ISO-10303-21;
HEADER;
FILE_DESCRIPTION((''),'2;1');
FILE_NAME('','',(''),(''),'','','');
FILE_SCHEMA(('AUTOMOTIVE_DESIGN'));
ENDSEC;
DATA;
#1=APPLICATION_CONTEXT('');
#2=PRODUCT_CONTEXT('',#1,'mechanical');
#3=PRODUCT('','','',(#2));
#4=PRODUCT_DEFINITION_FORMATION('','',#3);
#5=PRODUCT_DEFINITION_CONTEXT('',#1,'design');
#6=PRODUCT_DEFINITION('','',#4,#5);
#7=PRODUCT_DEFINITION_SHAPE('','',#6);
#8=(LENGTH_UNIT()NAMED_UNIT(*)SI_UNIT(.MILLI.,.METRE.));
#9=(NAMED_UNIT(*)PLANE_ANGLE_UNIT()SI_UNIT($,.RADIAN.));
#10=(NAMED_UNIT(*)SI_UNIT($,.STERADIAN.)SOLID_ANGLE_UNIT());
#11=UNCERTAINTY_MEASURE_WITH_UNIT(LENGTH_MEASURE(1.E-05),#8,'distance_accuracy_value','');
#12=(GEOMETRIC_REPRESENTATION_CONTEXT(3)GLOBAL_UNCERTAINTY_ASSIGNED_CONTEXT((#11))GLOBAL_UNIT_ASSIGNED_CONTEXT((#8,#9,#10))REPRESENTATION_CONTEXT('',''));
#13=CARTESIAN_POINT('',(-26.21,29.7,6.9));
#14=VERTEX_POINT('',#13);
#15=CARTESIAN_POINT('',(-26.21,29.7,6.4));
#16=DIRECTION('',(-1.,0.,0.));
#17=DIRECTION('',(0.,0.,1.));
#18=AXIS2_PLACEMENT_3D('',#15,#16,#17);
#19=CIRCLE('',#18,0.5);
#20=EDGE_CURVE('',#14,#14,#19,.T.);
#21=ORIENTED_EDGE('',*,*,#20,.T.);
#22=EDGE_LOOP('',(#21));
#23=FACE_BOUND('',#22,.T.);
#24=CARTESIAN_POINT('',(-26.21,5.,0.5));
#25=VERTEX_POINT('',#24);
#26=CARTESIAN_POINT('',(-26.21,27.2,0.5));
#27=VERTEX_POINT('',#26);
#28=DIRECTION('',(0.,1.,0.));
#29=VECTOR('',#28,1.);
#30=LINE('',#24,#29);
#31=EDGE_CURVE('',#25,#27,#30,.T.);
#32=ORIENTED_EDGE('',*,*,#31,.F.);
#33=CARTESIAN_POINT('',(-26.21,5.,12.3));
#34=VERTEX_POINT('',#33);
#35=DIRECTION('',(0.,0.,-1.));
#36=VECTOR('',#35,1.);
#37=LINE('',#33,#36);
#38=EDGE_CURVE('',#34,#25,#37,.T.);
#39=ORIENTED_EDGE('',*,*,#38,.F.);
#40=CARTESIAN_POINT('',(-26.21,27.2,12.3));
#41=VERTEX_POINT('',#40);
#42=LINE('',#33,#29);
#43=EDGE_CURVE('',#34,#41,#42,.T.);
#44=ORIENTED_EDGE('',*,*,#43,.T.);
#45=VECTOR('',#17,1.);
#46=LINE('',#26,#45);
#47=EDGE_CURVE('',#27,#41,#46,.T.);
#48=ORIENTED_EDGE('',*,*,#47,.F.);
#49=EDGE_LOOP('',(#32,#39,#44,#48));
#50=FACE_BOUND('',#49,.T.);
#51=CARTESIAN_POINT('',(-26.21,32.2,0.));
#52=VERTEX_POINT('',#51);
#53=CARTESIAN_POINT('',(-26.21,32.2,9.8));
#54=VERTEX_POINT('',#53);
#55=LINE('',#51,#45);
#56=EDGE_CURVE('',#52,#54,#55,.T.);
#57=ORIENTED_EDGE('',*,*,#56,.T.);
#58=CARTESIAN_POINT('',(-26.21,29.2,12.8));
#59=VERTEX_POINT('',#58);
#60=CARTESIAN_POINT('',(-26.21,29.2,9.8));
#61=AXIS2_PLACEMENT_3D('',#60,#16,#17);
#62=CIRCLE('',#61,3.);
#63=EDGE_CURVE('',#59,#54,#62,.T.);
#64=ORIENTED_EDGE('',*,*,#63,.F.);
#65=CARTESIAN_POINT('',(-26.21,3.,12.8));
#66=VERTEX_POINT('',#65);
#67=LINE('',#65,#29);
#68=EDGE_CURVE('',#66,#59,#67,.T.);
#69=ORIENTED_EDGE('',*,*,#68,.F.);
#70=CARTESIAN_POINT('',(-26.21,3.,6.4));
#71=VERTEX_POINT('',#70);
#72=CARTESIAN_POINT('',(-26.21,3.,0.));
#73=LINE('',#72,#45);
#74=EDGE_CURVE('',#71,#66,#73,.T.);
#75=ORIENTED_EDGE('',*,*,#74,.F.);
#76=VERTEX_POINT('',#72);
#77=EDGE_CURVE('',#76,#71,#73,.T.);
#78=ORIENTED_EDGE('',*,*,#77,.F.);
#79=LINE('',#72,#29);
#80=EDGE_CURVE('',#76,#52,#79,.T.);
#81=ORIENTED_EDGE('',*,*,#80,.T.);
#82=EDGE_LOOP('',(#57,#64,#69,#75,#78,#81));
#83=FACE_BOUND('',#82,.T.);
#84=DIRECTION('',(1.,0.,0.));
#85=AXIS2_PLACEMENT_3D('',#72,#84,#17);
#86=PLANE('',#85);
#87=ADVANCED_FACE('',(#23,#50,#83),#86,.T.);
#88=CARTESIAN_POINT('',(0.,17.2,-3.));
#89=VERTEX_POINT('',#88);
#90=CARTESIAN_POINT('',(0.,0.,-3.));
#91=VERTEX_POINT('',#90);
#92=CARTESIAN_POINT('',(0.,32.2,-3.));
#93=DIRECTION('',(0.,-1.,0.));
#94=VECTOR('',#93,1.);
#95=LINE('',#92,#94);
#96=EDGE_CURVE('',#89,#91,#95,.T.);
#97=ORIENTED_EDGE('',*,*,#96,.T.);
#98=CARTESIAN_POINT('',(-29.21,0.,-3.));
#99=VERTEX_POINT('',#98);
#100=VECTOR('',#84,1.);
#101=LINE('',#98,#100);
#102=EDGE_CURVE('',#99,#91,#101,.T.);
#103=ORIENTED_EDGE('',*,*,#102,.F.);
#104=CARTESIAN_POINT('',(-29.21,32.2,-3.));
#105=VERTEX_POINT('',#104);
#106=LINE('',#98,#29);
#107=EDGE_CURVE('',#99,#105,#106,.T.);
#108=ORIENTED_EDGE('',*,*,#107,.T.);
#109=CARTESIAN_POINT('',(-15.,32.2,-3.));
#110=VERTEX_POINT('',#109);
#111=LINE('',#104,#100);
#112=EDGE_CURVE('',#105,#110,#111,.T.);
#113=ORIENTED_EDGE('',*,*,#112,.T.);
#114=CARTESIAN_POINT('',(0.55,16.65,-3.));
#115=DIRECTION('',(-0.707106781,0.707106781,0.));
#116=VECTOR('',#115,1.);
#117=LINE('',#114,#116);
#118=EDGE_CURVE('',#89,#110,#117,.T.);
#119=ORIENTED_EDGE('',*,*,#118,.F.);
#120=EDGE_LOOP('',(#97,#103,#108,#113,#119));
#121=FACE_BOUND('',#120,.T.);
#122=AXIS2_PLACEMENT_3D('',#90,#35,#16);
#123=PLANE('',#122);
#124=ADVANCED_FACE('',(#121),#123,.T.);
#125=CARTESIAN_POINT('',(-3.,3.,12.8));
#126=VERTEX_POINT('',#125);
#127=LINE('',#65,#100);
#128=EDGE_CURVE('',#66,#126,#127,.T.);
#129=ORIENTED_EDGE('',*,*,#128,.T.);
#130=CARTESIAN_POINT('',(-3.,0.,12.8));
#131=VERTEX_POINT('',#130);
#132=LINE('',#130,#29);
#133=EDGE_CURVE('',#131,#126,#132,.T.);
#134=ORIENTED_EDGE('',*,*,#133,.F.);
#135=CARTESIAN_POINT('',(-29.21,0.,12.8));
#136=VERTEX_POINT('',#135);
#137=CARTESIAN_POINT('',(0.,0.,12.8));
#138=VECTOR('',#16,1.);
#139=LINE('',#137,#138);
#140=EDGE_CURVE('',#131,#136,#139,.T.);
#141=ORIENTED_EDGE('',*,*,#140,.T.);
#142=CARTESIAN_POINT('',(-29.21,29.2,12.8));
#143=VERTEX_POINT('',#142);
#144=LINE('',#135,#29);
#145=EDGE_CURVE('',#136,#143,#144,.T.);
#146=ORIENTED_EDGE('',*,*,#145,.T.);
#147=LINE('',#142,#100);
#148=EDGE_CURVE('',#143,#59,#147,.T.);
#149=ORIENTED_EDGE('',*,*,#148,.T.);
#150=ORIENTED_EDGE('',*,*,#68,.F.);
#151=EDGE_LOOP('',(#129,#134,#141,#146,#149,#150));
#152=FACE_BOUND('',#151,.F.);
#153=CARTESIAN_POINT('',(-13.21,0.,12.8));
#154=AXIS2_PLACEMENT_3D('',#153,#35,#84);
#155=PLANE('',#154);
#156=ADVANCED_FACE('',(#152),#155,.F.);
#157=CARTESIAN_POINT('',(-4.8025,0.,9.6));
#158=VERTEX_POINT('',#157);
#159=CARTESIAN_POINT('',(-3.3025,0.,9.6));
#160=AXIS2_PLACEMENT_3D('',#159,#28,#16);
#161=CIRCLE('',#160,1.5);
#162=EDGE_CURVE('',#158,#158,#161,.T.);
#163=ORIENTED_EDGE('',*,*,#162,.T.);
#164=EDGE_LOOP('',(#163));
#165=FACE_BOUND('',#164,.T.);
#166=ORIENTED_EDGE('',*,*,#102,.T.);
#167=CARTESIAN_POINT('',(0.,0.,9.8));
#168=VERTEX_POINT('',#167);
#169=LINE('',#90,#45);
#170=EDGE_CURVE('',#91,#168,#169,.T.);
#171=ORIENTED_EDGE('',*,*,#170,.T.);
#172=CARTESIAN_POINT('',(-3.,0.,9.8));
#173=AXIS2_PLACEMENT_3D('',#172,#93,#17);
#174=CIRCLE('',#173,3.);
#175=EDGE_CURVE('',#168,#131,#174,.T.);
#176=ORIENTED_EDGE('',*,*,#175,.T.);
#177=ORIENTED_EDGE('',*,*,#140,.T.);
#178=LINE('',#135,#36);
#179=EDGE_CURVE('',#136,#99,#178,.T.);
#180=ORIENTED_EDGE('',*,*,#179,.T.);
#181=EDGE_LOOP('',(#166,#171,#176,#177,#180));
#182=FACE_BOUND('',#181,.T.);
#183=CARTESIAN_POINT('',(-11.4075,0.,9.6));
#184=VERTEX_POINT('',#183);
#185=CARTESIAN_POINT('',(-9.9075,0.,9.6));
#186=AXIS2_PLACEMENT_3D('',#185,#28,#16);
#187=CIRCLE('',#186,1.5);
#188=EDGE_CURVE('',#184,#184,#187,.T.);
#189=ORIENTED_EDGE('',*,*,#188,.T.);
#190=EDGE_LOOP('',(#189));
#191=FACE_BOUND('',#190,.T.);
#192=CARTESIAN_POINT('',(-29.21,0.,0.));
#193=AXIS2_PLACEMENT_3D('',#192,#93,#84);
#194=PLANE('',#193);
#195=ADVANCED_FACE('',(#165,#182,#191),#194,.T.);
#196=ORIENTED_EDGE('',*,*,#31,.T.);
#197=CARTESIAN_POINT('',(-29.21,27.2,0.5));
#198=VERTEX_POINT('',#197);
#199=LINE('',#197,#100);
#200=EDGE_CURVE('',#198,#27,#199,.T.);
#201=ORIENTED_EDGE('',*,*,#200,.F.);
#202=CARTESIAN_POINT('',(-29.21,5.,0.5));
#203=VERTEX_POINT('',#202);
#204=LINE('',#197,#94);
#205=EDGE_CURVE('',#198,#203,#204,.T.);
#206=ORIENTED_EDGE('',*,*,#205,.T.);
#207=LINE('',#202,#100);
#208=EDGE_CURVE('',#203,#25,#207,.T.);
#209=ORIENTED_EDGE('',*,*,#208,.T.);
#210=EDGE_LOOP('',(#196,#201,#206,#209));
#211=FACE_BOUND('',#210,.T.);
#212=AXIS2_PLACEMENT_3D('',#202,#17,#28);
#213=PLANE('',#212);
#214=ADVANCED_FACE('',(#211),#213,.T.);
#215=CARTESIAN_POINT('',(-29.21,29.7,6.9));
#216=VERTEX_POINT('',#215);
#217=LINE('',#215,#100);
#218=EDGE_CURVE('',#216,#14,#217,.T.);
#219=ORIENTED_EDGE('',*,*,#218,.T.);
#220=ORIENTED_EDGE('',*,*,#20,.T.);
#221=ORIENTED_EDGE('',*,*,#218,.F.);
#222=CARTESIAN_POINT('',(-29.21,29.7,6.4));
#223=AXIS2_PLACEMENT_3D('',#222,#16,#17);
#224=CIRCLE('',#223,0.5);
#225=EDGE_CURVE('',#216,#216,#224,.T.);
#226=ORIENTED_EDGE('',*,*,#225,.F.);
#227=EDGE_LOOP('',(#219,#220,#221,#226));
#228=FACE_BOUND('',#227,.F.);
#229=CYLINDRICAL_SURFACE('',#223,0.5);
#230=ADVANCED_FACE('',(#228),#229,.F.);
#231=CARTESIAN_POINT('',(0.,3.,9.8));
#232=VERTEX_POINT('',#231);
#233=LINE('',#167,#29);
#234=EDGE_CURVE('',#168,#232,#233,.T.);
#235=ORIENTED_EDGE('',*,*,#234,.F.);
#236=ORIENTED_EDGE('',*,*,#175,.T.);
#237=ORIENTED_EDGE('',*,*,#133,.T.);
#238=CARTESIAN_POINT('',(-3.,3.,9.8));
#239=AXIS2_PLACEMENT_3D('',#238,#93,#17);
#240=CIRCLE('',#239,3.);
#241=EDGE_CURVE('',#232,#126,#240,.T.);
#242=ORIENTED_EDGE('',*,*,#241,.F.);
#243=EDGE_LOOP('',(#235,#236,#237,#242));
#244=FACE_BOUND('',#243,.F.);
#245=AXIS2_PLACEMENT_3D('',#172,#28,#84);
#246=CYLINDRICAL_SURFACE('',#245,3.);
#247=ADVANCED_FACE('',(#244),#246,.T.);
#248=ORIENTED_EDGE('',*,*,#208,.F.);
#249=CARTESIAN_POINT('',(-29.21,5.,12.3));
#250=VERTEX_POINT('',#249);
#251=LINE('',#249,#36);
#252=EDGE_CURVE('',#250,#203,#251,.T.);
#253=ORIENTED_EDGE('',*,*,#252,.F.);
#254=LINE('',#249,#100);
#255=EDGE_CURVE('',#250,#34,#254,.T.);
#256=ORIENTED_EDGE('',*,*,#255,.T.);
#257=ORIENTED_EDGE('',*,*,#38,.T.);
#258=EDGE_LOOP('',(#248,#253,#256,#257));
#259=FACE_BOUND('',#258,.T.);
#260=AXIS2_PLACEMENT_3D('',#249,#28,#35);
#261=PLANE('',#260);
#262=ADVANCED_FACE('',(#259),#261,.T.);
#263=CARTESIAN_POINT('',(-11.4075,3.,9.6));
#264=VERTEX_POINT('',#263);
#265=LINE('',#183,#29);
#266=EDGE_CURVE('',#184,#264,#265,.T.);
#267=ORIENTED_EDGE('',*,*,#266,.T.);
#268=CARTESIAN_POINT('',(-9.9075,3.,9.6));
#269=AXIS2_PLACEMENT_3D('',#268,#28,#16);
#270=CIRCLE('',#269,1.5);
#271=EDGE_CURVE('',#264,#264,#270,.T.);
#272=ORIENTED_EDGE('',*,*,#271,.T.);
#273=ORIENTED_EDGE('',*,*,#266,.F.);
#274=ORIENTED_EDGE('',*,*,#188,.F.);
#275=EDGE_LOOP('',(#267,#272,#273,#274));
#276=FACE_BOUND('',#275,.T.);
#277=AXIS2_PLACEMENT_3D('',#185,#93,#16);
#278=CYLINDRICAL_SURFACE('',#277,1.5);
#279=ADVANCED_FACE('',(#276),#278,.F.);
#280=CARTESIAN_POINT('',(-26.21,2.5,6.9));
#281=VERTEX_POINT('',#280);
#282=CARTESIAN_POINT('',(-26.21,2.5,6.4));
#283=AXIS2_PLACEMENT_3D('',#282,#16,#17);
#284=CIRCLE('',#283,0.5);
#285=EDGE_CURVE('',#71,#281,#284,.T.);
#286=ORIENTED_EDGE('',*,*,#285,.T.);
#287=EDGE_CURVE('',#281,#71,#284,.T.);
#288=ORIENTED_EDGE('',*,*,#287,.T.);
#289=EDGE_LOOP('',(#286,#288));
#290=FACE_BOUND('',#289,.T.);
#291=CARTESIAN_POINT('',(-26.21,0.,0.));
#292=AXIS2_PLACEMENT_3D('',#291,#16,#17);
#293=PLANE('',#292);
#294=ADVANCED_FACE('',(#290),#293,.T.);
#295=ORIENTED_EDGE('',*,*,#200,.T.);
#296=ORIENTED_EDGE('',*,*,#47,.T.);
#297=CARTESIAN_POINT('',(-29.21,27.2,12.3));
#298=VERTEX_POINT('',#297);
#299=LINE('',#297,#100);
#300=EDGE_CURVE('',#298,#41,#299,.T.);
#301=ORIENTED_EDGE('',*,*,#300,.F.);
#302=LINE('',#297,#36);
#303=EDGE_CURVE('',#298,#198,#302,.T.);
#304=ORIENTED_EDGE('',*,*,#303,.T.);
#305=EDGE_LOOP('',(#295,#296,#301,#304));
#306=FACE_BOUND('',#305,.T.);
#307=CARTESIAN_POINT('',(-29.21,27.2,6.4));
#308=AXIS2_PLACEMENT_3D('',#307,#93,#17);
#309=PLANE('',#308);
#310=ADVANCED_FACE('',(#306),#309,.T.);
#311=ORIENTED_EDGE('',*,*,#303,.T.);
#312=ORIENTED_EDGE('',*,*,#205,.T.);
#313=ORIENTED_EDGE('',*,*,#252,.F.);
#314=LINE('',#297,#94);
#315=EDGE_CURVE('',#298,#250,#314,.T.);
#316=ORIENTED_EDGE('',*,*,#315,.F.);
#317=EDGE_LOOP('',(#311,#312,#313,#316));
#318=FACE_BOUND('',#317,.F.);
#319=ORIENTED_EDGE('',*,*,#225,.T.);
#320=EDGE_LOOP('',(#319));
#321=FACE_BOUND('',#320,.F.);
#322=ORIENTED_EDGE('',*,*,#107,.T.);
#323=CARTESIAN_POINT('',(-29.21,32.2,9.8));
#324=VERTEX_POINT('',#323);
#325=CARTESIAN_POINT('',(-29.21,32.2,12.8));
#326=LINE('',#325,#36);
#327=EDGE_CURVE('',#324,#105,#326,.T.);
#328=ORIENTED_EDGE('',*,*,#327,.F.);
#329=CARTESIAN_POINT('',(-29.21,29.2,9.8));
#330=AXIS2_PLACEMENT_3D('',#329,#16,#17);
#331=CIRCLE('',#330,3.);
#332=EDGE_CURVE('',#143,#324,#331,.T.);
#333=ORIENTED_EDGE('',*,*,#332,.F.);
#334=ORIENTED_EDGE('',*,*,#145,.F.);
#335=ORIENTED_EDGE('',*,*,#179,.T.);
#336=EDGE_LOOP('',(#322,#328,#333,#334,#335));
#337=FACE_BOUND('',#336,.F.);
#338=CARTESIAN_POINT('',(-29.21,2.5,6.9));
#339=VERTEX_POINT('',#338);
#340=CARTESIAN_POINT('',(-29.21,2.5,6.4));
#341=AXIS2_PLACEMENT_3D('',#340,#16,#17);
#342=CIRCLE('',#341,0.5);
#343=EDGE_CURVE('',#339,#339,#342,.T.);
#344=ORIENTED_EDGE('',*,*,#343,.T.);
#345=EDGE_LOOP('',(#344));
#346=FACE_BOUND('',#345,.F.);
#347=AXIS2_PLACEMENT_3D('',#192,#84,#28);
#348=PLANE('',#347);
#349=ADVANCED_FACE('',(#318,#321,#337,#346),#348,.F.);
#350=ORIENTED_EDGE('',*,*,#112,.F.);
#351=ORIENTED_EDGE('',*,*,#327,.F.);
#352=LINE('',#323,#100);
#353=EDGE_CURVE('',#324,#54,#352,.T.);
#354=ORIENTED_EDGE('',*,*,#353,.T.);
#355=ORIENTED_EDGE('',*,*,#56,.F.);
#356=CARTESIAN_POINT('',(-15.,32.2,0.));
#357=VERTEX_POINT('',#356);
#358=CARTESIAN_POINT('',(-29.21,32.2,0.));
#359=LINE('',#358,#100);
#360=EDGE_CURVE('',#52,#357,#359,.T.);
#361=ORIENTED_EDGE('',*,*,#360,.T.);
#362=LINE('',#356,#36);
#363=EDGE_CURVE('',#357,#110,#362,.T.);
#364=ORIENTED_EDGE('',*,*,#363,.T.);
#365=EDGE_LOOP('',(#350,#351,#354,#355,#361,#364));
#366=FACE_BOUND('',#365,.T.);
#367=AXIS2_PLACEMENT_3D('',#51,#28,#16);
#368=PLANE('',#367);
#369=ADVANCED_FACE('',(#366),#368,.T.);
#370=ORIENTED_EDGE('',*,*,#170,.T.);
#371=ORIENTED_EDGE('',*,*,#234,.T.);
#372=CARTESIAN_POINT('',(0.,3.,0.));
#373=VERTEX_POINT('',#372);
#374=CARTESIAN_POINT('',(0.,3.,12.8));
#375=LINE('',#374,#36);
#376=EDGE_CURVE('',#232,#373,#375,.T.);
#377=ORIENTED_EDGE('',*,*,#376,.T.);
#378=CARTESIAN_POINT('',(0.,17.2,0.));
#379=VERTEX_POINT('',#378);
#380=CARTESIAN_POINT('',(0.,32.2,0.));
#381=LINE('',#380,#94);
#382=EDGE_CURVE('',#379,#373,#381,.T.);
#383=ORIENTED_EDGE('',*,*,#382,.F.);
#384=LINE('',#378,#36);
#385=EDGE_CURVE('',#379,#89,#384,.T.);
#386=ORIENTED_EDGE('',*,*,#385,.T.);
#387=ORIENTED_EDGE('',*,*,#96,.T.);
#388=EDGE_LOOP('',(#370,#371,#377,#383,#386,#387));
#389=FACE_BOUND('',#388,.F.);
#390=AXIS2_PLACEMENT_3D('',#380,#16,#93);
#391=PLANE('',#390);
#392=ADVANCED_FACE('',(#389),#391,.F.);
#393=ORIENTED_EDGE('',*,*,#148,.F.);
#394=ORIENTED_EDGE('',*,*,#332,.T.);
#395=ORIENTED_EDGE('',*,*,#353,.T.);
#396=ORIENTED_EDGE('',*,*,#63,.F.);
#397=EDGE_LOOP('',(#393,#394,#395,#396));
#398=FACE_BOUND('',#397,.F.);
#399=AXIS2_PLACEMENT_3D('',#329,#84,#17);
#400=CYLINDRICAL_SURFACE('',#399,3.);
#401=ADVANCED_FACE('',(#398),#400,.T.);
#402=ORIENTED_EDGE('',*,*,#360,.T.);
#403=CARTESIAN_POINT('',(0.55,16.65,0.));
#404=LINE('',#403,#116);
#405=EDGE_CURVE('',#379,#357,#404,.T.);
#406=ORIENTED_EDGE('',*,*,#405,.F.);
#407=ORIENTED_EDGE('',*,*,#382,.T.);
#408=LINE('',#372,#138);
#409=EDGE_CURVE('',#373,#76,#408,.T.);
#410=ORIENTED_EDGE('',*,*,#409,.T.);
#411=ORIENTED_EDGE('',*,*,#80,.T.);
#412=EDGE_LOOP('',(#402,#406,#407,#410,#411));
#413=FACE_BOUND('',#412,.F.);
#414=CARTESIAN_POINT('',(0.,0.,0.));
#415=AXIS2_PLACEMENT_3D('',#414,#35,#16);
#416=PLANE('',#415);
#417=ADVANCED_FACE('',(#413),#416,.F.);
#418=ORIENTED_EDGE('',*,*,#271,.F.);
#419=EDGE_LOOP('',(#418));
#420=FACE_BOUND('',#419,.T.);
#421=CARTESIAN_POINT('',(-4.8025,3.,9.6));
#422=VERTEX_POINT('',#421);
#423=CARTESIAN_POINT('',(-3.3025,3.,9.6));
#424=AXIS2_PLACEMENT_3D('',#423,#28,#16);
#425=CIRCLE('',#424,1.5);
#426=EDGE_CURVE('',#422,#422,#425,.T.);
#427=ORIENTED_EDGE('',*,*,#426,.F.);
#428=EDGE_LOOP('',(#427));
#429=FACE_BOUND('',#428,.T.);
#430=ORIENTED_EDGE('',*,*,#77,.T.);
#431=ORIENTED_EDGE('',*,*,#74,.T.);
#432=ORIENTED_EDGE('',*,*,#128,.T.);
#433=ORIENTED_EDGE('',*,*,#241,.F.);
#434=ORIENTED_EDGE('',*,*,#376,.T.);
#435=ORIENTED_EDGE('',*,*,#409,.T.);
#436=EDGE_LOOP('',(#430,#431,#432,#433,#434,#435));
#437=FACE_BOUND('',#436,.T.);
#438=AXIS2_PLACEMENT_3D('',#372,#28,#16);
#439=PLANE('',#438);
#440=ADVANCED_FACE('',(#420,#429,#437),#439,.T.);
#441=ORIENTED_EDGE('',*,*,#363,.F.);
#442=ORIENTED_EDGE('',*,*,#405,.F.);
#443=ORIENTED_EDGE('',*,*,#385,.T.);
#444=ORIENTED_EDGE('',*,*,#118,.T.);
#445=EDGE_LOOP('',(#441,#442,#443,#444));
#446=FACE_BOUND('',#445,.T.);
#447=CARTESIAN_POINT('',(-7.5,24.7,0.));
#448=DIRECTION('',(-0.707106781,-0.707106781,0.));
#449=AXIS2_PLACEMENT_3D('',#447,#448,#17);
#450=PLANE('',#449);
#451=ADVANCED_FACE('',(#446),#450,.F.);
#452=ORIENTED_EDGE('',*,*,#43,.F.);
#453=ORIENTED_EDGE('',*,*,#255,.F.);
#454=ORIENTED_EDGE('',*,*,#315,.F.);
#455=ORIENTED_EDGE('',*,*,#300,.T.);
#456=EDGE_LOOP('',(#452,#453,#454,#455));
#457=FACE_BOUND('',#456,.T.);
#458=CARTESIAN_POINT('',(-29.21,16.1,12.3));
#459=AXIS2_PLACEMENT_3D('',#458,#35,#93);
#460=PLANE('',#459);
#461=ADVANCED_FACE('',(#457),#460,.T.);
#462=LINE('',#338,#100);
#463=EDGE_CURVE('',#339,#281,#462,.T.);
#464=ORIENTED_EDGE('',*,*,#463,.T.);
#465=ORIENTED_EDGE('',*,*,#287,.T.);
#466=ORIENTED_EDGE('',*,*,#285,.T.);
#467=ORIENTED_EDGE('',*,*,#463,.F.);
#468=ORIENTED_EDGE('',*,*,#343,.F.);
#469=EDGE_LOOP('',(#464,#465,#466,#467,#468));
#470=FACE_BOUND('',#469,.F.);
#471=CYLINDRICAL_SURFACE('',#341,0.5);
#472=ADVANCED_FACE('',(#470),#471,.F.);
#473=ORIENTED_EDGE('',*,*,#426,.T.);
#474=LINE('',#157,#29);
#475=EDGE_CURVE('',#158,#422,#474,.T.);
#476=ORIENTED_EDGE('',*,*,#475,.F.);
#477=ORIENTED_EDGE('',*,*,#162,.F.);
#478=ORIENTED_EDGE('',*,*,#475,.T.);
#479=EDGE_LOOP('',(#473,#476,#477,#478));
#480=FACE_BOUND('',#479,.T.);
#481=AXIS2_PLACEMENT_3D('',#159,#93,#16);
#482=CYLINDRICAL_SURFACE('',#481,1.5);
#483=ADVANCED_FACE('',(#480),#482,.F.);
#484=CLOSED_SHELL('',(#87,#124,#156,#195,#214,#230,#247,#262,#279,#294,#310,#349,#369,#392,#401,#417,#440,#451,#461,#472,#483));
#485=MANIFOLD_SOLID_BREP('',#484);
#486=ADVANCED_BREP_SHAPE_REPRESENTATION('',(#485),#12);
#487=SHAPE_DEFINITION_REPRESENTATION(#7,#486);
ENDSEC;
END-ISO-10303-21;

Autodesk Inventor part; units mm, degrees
ref_plane "YZ Plane" through (0, 0, 0) normal (1, 0, 0) x (0, 1, 0)
ref_plane "XZ Plane" through (0, 0, 0) normal (0, 1, 0) x (-1, 0, 0)
ref_plane "XY Plane" through (0, 0, 0) normal (0, 0, 1) x (1, 0, 0)
sketch "Sketch1" plane through (0, 0, 0) normal (0, 1, 0) x (-1, 0, 0)
  line L0 (29.21, 0) -> (29.21, 12.8)
  line L1 (29.21, 12.8) -> (0, 12.8)
  line L2 (29.21, 12.8) -> (13.21, 12.8)
  circle A0 centre (3.3025, 9.6) radius 1.5
  circle A1 centre (9.9075, 9.6) radius 1.5
  line L3 (0, 12.8) -> (0, 0)
  line L4 (0, 0) -> (29.21, 0)
  dimension "d0" = 12.8
  dimension "d1" = 16
  dimension "d4" = 3
  dimension "d5" = 3
extrude "Extrusion1" add sketch "Sketch1" along normal blind 3
sketch "Sketch2" plane through (0, 3, 0) normal (0, 1, 0) x (1, 0, 0)
  line L0 (0, 0) -> (-29.21, 0) projected
  line L1 (-29.21, -12.8) -> (0, -12.8) projected
  line L2 (-29.21, 0) -> (-26.21, 0)
  line L3 (-26.21, 0) -> (-26.21, -12.8)
  line L4 (-26.21, -12.8) -> (-29.21, -12.8)
  line L5 (-29.21, -12.8) -> (-29.21, 0)
  dimension "d8" = 3
extrude "Extrusion2" add sketch "Sketch2" along normal blind 29.2
sketch "Sketch3" plane through (-29.21, 0, 0) normal (-1, 0, 0) x (0, 0, 1)
  line L0 (12.8, 0) -> (12.8, 32.2) projected
  line L1 (12.8, 16.1) -> (0, 16.1)
  line L2 (0, 0) -> (0, 32.2) projected
  line L3 (6.4, 27.2) -> (12.3, 27.2)
  line L4 (12.3, 27.2) -> (12.3, 5)
  line L5 (12.3, 5) -> (0.5, 5)
  line L6 (0.5, 5) -> (0.5, 27.2)
  line L7 (0.5, 27.2) -> (6.4, 27.2)
  line L8 (0, 0) -> (12.8, 0) projected
  circle A0 centre (6.4, 2.5) radius 0.5
  line L9 (0, 32.2) -> (12.8, 32.2) projected
  circle A1 centre (6.4, 29.7) radius 0.5
  dimension "d12" = 5.9
  dimension "d13" = 11.8
  dimension "d14" = 1
  dimension "d15" = 1
extrude "Extrusion3" cut sketch "Sketch3" against normal blind 3 contours L4 L5 L6 L1 | L1 L6 L7 L3 L4 | A0 | A1
sketch "Эскиз5" plane through (0, 0, 0) normal (0, 0, -1) x (-1, 0, 0)
  line L0 (29.21, 0) -> (0, 0) projected
  line L1 (26.21, 32.2) -> (29.21, 32.2) projected
  line L2 (0, 0) -> (29.21, 0)
  line L3 (29.21, 0) -> (29.21, 32.2)
  line L4 (29.21, 32.2) -> (0, 32.2)
  line L5 (0, 32.2) -> (0, 0)
extrude "Выдавливание4" add sketch "Эскиз5" along normal blind 3
chamfer "Фаска1" distance 15 angle 45 1 edges at (0, 32.2, -1.5)
fillet "Сопряжение3" radius 3 2 edges at (0, 1.5, 12.8) (-27.71, 32.2, 12.8)
